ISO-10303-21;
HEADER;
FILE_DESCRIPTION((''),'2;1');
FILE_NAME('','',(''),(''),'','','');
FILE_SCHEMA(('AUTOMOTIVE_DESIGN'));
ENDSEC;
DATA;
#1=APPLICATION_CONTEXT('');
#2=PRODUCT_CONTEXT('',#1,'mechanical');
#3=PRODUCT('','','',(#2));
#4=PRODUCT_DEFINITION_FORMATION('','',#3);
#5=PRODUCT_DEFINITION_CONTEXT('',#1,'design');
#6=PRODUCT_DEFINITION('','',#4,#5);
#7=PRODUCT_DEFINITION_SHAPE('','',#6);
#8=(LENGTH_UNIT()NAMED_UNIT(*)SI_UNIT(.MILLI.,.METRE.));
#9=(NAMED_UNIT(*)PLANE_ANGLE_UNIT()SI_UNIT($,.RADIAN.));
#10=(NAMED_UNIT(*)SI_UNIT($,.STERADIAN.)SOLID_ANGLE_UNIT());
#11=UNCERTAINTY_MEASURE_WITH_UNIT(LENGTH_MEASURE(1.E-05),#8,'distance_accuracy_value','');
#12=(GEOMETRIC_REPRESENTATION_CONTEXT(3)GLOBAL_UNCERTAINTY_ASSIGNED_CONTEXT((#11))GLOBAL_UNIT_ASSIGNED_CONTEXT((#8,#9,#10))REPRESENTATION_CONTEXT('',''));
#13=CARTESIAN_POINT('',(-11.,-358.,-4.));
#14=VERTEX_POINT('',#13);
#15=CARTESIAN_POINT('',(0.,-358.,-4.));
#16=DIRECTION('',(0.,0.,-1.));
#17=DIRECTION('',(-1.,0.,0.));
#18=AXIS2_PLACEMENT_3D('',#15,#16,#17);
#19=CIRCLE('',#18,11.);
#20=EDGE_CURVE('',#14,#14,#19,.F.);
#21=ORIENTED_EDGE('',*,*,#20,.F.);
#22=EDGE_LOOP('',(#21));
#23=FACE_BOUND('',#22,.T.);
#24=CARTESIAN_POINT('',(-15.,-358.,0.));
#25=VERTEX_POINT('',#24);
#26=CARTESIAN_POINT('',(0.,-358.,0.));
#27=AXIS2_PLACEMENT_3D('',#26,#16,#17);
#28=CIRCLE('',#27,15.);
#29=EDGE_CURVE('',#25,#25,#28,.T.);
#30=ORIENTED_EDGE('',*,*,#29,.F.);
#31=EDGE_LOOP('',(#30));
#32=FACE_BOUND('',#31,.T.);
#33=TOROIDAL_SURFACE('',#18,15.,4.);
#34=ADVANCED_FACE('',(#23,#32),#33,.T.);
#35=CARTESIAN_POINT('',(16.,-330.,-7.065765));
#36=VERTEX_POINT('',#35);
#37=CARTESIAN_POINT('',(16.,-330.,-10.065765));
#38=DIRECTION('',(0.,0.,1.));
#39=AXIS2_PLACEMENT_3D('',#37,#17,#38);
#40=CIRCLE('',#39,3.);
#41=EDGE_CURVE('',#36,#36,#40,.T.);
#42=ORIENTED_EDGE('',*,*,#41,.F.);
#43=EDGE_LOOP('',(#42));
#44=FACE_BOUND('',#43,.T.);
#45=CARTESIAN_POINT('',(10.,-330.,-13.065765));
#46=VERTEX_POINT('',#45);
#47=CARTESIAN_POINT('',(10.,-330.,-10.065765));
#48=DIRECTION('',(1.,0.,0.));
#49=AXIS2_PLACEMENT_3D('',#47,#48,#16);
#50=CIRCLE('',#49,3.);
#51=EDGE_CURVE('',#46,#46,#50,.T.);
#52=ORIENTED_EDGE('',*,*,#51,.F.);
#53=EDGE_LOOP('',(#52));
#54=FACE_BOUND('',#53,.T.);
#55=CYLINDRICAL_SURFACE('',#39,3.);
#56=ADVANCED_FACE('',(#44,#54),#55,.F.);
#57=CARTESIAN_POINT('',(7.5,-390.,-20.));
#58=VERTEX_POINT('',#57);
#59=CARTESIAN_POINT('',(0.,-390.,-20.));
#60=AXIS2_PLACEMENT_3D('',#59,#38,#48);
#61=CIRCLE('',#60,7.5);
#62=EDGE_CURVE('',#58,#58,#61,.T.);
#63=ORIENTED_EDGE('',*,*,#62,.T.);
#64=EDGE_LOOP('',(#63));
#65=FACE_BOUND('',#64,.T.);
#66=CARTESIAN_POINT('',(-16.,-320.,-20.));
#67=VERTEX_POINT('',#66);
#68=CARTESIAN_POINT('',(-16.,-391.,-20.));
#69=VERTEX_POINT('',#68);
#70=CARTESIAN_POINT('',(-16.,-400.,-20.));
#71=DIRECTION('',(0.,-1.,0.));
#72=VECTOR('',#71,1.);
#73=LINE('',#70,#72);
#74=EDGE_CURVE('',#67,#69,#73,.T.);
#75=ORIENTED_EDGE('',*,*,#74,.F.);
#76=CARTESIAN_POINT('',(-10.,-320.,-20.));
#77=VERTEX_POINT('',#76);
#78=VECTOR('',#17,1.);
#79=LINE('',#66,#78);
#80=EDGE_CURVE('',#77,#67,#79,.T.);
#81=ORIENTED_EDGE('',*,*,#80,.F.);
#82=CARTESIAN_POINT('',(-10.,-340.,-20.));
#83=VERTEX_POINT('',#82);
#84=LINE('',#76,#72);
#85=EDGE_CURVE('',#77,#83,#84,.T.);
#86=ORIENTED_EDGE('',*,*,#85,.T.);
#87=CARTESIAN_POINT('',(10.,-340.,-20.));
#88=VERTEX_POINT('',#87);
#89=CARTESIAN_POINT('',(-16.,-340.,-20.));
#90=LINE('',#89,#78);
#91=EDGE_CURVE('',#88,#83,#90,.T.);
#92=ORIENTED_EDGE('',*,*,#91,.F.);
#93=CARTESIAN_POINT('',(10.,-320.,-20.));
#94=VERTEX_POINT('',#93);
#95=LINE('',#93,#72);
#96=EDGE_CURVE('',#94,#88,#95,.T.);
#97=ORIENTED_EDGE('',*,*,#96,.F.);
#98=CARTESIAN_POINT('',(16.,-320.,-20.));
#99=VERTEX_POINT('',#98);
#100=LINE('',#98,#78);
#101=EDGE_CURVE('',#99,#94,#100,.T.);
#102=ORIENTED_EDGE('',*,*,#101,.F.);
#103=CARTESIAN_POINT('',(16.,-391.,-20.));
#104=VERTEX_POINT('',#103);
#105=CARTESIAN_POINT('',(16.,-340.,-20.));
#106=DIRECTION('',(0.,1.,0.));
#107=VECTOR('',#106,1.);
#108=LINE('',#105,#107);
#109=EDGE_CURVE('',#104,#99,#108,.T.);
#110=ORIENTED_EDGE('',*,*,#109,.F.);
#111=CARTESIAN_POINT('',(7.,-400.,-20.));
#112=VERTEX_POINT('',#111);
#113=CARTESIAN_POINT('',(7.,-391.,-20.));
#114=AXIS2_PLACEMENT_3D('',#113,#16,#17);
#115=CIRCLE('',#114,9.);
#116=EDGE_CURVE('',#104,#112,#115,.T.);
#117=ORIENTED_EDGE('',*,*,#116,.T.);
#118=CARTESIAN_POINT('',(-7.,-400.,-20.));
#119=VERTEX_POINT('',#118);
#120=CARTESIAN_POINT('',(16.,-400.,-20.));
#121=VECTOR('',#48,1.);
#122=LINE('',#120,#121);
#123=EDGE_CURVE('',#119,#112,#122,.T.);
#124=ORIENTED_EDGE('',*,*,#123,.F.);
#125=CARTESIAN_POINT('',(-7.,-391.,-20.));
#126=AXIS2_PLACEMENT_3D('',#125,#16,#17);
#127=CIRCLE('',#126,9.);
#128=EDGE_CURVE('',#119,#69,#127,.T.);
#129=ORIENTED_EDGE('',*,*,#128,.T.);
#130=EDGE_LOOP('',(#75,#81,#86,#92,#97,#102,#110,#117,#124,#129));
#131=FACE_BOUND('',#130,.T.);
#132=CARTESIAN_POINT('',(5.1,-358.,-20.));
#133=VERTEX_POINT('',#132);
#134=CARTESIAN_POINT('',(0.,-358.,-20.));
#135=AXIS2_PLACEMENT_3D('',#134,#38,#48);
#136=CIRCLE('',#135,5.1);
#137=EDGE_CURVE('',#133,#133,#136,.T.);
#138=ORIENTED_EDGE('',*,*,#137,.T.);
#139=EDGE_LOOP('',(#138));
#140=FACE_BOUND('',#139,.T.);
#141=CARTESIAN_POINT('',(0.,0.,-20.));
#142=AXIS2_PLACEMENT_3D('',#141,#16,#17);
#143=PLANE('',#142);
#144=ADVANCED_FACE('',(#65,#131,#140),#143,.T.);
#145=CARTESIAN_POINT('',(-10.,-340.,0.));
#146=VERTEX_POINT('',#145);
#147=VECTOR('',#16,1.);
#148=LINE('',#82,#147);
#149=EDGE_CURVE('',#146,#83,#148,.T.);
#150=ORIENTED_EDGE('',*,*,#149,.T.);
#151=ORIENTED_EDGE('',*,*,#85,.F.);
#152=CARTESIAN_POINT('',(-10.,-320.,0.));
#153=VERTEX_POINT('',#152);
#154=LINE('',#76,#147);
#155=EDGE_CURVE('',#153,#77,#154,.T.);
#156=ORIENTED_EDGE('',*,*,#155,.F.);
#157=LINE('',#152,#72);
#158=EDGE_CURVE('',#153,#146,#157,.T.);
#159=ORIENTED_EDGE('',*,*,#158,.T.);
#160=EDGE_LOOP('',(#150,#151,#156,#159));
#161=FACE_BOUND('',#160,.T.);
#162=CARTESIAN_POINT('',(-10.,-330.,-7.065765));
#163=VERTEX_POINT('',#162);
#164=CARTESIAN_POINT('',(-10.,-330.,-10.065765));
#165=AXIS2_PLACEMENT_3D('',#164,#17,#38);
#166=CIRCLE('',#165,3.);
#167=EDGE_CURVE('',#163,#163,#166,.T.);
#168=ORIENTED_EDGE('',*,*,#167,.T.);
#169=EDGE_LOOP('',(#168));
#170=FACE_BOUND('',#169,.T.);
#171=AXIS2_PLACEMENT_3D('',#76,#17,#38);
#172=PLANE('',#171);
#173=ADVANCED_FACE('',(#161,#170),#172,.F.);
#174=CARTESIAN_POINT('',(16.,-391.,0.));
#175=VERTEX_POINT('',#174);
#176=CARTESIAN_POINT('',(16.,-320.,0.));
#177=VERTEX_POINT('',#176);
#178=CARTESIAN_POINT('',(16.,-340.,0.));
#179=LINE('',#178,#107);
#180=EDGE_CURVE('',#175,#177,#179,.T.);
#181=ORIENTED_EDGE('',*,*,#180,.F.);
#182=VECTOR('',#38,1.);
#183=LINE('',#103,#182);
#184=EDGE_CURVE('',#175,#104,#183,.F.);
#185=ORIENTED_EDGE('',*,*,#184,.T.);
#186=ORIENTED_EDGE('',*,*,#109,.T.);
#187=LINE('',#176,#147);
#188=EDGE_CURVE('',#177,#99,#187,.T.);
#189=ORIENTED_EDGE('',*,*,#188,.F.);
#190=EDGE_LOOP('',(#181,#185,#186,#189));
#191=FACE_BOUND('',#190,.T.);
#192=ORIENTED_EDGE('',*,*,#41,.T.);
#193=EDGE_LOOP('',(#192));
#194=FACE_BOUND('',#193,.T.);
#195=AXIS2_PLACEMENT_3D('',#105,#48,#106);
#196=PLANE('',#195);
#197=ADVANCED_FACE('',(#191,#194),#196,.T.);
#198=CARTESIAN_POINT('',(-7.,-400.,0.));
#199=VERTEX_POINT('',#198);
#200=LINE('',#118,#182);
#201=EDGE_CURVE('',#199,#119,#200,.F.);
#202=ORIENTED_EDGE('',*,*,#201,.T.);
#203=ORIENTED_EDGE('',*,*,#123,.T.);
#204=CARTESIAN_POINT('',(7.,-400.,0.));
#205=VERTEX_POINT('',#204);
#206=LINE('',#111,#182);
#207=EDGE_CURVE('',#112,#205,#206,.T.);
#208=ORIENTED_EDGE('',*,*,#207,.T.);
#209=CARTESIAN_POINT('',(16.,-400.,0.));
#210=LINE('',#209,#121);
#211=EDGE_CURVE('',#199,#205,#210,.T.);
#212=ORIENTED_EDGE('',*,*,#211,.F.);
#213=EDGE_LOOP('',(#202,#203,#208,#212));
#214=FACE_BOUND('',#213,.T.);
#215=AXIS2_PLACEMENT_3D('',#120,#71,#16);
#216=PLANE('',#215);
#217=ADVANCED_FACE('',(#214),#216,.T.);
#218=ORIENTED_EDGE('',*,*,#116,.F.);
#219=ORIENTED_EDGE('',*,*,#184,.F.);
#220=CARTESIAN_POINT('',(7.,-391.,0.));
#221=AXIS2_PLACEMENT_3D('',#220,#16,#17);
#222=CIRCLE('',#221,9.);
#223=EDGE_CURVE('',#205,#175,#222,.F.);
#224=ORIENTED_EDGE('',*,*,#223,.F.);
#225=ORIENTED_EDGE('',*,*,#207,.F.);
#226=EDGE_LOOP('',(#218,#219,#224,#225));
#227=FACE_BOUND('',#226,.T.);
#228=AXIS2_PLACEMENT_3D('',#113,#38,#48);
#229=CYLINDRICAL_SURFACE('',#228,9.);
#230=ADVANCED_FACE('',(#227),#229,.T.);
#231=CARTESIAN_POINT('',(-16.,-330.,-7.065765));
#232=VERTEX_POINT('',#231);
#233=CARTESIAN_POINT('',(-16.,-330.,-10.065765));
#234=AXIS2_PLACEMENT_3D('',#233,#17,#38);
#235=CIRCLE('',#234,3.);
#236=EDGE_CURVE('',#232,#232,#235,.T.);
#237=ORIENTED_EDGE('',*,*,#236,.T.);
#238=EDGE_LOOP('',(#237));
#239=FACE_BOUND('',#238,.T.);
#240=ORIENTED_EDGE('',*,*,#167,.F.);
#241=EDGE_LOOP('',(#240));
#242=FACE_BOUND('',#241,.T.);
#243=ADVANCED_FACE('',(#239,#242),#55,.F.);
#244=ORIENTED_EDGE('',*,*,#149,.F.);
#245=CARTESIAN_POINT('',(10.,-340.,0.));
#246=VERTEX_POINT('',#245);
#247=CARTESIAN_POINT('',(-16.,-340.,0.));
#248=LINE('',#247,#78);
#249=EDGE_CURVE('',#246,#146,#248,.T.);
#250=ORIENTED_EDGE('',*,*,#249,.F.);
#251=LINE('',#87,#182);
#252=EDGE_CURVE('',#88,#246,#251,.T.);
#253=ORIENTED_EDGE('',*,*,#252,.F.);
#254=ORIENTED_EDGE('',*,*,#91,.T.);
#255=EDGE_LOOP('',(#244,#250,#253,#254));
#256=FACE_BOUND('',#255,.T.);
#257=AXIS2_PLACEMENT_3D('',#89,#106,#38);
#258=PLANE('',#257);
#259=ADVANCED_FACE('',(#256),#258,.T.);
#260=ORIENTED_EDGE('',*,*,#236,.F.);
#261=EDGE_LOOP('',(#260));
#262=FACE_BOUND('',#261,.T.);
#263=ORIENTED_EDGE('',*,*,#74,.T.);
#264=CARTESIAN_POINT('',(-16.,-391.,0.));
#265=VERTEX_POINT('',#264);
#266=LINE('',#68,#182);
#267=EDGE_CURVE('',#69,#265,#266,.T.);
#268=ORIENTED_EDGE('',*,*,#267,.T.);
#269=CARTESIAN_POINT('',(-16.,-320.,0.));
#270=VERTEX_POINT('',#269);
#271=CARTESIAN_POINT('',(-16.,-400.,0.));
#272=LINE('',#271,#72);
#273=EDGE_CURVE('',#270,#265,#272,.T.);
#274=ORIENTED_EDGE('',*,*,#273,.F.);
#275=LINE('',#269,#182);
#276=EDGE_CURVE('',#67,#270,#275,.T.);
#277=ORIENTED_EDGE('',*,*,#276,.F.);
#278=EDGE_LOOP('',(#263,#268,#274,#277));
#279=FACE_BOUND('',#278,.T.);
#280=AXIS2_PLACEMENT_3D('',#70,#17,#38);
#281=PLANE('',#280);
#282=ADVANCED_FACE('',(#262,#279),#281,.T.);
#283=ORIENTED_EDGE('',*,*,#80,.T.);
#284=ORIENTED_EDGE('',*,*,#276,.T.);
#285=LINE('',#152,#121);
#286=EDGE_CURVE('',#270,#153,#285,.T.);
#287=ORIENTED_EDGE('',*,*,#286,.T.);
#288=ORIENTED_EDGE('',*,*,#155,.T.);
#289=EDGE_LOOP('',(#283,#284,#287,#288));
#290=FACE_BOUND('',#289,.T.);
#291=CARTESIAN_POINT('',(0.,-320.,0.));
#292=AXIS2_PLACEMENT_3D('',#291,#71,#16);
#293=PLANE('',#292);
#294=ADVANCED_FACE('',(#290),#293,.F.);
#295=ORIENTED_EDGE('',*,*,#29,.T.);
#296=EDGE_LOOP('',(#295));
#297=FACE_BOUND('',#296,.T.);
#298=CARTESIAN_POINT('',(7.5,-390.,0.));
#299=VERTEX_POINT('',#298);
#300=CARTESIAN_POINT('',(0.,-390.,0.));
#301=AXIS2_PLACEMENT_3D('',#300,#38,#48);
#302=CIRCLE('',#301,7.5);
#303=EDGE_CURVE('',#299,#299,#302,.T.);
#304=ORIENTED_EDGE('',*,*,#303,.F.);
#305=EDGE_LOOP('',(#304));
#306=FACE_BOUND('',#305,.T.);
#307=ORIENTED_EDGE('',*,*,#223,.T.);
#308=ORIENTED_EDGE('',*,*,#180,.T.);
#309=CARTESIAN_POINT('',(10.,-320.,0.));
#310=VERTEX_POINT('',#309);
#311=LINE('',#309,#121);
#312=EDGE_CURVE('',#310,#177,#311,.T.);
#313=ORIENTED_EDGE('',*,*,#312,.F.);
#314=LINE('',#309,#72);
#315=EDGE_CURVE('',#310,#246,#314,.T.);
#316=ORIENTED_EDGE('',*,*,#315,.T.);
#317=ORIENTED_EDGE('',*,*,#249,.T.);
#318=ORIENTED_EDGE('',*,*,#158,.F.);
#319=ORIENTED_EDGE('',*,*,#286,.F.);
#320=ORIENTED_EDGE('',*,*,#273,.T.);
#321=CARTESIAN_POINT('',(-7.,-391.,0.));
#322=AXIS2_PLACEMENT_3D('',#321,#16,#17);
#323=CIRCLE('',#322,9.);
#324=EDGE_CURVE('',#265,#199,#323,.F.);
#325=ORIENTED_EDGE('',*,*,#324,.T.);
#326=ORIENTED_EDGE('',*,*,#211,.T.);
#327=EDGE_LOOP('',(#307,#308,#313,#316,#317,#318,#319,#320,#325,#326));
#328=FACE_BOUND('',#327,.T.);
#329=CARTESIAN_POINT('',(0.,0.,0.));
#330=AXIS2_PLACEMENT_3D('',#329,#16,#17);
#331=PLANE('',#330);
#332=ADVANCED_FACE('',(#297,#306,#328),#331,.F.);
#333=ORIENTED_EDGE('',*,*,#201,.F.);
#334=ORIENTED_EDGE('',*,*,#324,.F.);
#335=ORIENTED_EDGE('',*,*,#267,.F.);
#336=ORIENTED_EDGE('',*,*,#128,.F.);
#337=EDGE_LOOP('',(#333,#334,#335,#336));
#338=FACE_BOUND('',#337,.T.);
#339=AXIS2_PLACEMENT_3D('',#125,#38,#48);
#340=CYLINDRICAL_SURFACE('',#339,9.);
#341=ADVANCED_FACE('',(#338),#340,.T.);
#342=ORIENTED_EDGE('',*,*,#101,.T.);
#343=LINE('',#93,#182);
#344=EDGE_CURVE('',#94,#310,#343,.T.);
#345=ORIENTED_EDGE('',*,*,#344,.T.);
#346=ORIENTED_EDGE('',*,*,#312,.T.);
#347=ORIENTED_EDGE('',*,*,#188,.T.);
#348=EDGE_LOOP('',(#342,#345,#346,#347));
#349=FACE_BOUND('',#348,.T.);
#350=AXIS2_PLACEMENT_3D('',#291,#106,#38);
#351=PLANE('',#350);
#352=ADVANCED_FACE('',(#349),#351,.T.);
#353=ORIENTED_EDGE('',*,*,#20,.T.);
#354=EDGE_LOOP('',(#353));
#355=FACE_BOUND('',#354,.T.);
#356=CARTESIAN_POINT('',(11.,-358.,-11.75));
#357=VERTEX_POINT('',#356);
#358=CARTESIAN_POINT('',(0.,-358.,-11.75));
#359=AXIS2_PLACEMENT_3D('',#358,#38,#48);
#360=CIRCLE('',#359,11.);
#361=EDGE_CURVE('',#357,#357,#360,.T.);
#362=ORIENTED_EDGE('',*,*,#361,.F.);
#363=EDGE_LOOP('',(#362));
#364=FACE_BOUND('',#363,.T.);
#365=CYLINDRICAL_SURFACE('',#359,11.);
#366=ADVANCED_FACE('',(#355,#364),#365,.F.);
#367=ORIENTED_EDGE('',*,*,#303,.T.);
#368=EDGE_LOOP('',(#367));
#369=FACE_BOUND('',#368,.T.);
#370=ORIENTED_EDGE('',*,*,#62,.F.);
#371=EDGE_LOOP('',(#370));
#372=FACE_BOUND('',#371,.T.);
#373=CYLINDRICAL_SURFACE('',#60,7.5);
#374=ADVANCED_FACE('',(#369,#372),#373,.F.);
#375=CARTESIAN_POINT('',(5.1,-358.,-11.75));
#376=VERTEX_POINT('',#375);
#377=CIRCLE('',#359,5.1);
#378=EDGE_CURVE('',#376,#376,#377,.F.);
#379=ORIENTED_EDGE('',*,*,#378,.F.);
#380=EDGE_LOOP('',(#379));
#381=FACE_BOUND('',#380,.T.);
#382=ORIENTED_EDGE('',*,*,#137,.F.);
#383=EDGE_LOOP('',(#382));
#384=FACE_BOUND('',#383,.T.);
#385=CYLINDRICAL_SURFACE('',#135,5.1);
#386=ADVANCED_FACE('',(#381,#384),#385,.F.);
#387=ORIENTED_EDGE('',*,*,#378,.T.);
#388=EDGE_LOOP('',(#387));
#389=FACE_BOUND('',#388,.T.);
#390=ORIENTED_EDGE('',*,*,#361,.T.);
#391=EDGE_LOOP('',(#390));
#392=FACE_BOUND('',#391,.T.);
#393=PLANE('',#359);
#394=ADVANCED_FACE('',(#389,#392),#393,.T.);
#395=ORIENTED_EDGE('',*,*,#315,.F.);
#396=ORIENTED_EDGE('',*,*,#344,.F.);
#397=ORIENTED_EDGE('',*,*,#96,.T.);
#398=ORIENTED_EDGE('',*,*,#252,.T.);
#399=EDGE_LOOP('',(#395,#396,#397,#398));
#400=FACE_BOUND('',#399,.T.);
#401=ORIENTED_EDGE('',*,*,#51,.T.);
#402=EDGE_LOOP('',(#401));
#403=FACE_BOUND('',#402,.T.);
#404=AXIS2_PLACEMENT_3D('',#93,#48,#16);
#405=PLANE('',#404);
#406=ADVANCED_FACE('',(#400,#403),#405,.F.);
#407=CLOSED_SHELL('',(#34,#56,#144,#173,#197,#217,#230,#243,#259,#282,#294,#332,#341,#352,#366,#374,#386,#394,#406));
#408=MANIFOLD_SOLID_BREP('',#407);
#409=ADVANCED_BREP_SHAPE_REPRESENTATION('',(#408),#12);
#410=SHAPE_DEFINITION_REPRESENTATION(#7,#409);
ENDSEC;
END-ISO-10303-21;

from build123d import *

# Parameters (mm, degrees)
SKETCH1_W           = 32
SKETCH1_H           = 60
BOSS_EXTRUDE1_DEPTH = 20
SKETCH2_R           = 7.5
SKETCH2_R_2         = 5.1
CUT_EXTRUDE1_DEPTH  = 401.819161219
SKETCH3_R           = 11
CUT_EXTRUDE2_DEPTH  = 11.75
SKETCH4_W           = 6
SKETCH4_H           = 20
BOSS_EXTRUDE2_DEPTH = 20
SKETCH5_R           = 3
CUT_EXTRUDE3_DEPTH  = 402.776057027
FILLET2_R           = 9
FILLET3_R           = 4


with BuildPart() as part:
    # Sketch1 → Boss-Extrude1 (new body)
    with BuildSketch(Plane.XY):
        with Locations((0, -370)):
            Rectangle(SKETCH1_W, SKETCH1_H)
    extrude(amount=-BOSS_EXTRUDE1_DEPTH)

    # Sketch2 → Cut-Extrude1 (cut, through all)
    with BuildSketch(Plane.XY):
        with Locations((0, -390)):
            Circle(SKETCH2_R)
        with Locations((0, -358)):
            Circle(SKETCH2_R_2)
    extrude(amount=-CUT_EXTRUDE1_DEPTH, mode=Mode.SUBTRACT)

    # Sketch3 → Cut-Extrude2 (cut)
    with BuildSketch(Plane.XY):
        with Locations((0, -358)):
            Circle(SKETCH3_R)
    extrude(amount=-CUT_EXTRUDE2_DEPTH, mode=Mode.SUBTRACT)

    # Sketch4 → Boss-Extrude2 (add)
    with BuildSketch(Plane(origin=(0, -340, 0), x_dir=(1, 0, 0), z_dir=(0, 1, 0))):
        with Locations((13, 10)):
            Rectangle(SKETCH4_W, SKETCH4_H)
        with Locations((-13, 10)):
            Rectangle(SKETCH4_W, SKETCH4_H)
    extrude(amount=BOSS_EXTRUDE2_DEPTH)

    # Sketch5 → Cut-Extrude3 (cut, through all)
    with BuildSketch(Plane.ZY.offset(16)):
        with Locations((-10.065765089, -330)):
            Circle(SKETCH5_R)
    extrude(amount=-CUT_EXTRUDE3_DEPTH, mode=Mode.SUBTRACT)

    # Fillet2
    fillet2_edges = [part.edges().sort_by_distance(p)[0] for p in [
        (16, -400, -10),
        (-16, -400, -10),
    ]]
    fillet(fillet2_edges, radius=FILLET2_R)

    # Fillet3
    fillet3_edges = [part.edges().sort_by_distance(p)[0] for p in [
        (-11, -358, 0),
    ]]
    fillet(fillet3_edges, radius=FILLET3_R)


solid = part.part
